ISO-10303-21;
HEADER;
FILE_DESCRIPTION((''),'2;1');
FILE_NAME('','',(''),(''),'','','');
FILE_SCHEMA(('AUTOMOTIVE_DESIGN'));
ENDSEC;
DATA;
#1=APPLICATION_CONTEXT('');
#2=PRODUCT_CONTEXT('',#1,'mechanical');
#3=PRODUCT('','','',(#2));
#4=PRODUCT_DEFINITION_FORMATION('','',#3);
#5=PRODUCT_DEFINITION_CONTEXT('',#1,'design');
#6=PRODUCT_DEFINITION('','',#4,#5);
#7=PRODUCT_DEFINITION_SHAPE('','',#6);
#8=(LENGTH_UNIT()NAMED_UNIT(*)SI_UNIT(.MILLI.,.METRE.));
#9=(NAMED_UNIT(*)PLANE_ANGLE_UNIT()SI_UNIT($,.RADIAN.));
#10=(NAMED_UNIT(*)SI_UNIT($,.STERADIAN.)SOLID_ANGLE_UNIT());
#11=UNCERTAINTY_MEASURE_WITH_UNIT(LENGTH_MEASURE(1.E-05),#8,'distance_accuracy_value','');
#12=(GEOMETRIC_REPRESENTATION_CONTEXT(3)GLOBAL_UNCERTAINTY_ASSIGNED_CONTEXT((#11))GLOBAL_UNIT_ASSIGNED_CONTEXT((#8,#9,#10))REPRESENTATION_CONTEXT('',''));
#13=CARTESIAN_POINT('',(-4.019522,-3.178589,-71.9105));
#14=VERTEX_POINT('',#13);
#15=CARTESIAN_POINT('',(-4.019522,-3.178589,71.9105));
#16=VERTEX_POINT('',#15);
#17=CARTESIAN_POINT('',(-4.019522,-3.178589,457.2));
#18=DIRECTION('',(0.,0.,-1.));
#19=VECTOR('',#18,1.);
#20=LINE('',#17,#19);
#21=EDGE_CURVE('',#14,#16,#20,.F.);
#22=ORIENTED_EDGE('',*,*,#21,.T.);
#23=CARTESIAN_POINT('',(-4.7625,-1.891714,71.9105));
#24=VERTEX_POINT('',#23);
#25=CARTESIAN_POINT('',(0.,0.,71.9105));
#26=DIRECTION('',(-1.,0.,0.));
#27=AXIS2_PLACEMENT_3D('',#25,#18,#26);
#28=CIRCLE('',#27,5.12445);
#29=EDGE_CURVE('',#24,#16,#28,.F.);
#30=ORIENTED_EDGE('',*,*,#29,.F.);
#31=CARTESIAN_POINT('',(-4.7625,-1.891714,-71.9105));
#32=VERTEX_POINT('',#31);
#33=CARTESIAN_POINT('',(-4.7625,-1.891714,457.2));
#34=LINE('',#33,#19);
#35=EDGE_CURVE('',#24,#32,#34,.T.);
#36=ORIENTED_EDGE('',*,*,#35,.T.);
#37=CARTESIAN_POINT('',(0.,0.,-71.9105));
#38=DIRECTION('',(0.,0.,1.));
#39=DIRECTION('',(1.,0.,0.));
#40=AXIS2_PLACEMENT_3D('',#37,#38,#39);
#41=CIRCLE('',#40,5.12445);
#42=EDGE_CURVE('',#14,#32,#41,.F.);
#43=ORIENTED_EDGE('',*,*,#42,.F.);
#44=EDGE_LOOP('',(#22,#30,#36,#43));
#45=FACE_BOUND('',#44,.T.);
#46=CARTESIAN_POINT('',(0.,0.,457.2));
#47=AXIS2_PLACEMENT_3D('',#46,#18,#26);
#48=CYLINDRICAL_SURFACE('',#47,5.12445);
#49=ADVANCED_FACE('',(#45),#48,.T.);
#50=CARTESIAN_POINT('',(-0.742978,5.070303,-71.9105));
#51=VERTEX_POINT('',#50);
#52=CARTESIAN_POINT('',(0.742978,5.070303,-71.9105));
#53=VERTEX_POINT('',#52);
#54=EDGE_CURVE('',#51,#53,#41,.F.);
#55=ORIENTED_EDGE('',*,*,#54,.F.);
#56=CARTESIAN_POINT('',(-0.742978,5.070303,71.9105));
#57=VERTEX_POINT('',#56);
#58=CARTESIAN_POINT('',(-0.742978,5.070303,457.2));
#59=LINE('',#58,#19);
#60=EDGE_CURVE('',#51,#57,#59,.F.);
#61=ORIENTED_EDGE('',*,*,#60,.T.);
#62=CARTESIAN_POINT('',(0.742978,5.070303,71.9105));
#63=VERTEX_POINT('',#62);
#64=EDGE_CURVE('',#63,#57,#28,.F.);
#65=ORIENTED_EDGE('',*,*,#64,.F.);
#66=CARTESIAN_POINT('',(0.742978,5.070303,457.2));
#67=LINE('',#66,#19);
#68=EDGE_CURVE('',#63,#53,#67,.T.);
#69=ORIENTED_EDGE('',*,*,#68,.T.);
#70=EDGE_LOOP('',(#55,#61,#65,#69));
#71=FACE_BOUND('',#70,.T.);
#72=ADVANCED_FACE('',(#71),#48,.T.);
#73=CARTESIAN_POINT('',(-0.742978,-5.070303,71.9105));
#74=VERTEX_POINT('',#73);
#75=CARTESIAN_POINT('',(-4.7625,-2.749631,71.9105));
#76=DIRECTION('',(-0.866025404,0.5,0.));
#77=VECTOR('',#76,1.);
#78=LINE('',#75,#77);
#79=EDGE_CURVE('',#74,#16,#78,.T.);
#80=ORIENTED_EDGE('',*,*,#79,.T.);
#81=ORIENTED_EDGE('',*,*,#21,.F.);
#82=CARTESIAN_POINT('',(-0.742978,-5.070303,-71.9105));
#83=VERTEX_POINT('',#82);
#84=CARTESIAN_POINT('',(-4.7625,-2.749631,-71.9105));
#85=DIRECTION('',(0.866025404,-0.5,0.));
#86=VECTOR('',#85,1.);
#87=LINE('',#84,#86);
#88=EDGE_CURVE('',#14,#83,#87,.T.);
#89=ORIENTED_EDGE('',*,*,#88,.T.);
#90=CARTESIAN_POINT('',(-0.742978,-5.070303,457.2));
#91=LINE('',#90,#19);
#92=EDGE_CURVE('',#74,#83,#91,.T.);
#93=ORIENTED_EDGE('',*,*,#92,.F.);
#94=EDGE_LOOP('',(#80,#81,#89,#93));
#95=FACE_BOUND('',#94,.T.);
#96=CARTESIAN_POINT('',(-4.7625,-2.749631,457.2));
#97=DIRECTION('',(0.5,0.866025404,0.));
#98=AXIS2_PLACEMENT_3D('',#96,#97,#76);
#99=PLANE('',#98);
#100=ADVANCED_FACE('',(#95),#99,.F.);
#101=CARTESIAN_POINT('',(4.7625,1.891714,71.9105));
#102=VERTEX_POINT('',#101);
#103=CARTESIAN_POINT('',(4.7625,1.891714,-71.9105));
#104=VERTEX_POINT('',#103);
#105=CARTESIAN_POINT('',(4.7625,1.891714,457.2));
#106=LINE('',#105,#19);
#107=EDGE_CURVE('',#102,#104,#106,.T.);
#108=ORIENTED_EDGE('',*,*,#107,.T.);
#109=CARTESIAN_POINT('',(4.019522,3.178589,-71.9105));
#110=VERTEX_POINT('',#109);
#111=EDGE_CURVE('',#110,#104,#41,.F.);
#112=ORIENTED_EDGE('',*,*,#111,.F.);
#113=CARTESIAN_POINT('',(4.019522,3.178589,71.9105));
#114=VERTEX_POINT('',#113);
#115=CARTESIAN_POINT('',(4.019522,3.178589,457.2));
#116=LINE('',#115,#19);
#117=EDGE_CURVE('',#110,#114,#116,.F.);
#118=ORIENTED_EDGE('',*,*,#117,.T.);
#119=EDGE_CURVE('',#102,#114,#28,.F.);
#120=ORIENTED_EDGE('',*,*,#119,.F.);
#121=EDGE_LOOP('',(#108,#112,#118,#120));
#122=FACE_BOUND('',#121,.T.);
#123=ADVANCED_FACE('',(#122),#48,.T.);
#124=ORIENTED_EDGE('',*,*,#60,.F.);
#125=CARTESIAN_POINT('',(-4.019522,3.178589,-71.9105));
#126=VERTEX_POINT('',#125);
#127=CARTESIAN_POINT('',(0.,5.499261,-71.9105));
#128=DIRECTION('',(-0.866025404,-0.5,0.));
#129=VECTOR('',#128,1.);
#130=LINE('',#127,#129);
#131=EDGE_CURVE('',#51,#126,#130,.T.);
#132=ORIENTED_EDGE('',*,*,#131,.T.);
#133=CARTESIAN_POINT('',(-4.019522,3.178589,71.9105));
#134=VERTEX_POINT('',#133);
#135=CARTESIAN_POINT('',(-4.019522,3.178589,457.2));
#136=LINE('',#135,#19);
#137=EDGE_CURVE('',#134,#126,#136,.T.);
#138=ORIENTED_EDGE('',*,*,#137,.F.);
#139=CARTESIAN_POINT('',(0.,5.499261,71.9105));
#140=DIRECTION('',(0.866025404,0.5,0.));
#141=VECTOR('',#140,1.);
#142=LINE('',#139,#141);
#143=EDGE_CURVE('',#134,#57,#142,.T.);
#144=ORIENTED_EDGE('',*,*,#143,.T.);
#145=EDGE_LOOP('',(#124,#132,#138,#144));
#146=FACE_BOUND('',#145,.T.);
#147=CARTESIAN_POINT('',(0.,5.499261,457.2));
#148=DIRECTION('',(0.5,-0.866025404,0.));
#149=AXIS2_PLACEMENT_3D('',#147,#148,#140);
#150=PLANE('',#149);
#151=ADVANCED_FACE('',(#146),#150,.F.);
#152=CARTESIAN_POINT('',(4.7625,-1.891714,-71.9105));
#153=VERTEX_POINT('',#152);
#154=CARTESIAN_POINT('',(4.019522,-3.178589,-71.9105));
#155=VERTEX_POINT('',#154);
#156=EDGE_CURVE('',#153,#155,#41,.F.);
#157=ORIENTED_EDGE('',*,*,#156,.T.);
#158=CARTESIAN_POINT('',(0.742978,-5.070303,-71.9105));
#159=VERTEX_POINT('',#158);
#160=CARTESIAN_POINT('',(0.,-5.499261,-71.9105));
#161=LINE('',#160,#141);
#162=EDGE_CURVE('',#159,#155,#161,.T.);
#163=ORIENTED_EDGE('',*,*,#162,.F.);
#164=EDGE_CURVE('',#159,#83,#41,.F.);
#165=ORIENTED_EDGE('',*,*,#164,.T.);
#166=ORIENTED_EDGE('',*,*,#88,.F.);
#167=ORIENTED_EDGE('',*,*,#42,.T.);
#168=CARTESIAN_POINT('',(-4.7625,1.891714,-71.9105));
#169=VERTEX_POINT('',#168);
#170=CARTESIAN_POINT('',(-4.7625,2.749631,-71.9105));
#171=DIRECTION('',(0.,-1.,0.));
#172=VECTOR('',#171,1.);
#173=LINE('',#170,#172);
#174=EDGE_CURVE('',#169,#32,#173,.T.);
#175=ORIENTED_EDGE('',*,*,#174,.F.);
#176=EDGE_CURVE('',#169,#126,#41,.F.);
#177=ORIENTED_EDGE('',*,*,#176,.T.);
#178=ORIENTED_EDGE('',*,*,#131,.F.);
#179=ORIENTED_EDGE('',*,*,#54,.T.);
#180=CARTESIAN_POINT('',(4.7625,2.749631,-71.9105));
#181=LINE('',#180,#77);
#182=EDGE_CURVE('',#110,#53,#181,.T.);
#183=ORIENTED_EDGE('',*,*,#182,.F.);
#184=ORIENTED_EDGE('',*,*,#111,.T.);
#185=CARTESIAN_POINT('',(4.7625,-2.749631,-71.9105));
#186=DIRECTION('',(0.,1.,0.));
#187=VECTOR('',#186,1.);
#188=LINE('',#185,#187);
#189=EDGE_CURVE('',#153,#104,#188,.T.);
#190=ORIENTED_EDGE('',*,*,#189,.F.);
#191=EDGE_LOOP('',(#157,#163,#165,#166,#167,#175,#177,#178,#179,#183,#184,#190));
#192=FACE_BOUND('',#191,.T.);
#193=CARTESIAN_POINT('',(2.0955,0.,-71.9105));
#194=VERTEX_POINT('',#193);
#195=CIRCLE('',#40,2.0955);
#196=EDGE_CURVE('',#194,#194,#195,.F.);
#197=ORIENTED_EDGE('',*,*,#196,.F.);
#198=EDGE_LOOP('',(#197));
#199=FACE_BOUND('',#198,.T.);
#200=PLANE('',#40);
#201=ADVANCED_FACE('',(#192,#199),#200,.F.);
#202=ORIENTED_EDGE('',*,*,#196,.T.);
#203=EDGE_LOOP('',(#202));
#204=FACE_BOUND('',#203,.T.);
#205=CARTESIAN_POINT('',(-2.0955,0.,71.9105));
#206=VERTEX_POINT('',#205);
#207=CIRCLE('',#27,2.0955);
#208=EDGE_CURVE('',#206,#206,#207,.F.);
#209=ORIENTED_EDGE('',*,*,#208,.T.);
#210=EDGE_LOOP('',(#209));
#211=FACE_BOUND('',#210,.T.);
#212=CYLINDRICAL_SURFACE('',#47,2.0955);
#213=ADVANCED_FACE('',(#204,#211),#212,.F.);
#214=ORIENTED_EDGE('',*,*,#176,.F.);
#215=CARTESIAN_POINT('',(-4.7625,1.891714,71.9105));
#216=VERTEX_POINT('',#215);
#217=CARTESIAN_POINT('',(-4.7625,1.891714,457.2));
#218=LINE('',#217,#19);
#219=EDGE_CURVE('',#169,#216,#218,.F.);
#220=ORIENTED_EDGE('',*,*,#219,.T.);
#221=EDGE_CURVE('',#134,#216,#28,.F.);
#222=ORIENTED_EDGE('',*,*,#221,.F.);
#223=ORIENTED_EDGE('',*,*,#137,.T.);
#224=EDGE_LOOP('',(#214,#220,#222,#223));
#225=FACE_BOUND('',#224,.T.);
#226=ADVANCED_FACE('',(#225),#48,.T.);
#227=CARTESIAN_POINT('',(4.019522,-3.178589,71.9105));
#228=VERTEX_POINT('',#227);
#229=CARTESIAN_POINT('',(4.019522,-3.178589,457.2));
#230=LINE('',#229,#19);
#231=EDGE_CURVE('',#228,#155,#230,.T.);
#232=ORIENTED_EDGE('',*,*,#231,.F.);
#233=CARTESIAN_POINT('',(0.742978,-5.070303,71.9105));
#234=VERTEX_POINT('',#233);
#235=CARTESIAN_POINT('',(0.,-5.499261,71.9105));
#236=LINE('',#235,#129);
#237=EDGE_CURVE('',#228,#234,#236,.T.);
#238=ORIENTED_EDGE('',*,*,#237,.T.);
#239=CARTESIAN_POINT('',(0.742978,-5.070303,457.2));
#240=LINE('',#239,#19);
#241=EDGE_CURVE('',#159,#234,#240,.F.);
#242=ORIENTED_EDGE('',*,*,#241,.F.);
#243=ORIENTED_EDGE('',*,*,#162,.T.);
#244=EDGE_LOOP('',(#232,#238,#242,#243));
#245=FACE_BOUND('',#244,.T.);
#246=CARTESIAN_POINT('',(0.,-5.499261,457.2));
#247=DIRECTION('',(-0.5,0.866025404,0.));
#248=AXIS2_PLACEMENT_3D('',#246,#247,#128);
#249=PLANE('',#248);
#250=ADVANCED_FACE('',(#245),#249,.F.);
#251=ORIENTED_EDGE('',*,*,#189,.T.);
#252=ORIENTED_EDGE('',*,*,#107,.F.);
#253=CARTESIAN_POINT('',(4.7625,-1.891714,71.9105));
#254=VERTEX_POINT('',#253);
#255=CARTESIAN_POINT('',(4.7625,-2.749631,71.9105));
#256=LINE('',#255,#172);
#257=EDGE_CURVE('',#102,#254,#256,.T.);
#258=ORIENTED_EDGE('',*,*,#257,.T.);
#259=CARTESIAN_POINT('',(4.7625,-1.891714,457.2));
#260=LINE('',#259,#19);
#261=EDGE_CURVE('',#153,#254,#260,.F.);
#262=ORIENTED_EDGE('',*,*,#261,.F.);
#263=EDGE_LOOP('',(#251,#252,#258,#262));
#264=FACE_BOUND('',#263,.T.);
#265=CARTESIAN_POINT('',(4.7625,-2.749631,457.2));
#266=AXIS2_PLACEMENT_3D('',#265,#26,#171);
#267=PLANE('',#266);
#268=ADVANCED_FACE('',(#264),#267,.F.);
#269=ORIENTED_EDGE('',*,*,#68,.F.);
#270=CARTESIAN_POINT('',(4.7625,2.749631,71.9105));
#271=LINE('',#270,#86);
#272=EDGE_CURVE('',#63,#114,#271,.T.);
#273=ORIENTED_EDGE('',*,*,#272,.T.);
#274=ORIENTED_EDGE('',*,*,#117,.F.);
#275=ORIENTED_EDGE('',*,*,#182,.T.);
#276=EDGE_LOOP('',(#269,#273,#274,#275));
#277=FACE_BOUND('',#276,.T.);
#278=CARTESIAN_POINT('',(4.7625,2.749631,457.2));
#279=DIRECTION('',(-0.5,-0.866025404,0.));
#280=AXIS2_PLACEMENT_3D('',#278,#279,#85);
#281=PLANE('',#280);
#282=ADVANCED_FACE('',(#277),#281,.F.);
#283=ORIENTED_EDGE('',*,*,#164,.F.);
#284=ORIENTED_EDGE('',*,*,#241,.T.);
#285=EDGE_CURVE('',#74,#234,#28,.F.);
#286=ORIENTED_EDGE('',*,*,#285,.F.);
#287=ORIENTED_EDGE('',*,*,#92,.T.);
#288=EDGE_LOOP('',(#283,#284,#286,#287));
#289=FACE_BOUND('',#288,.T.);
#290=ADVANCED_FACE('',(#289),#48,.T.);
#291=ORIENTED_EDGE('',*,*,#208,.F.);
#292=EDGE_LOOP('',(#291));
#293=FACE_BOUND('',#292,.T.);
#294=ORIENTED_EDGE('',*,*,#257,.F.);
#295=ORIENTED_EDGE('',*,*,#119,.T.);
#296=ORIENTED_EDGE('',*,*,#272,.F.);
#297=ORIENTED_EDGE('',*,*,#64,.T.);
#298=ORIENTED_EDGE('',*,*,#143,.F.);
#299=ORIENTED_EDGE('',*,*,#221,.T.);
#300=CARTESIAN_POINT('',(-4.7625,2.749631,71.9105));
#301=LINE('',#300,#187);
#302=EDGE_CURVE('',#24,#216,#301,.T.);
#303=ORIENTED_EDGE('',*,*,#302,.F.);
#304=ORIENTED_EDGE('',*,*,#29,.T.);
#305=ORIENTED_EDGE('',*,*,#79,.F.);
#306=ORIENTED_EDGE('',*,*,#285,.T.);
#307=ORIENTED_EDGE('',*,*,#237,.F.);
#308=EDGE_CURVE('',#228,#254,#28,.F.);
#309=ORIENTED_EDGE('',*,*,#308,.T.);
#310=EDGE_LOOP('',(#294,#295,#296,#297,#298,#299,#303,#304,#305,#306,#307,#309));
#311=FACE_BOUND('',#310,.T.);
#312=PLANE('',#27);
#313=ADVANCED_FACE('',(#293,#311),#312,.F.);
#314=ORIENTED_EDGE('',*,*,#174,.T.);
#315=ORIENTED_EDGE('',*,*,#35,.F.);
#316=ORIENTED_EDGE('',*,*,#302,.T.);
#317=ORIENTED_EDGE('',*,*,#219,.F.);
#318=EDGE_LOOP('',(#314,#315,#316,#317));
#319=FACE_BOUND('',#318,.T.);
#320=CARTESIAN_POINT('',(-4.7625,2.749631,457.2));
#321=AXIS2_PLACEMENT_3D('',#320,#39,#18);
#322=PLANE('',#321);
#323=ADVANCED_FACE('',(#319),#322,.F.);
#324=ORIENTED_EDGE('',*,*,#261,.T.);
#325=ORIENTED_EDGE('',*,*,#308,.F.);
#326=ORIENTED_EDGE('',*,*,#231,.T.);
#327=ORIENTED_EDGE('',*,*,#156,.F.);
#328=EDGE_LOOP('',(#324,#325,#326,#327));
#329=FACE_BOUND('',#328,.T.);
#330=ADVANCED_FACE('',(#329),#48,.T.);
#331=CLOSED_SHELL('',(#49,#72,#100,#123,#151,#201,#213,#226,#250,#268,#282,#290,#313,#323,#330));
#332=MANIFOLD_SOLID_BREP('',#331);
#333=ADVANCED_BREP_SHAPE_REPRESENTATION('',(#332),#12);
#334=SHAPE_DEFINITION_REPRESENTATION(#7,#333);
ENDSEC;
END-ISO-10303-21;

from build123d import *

# Parameters (mm, degrees)
SHAFT_BOSS_DEPTH                = 457.2
SKETCH2_R                       = 7.66445
SKETCH2_R_2                     = 5.12445
CUT_FOR_THUNDER_HEX_ROUND_DEPTH = 914.4
SKETCH3_R                       = 2.0955
CENTER_HOLE_CUT_DEPTH           = 914.4


with BuildPart() as part:
    # Sketch1 → Shaft Boss (new, symmetric)
    with BuildSketch(Plane.XY):
        Polygon((0, 5.499261314), (-4.7625, 2.749630657), (-4.7625, -2.749630657), (0, -5.499261314), (4.7625, -2.749630657), (4.7625, 2.749630657), align=None)
    extrude(amount=SHAFT_BOSS_DEPTH, both=True)

    # Sketch2 → Cut For Thunder Hex Round (cut)
    with BuildSketch(Plane(origin=(0, 0, -457.2), x_dir=(-1, 0, 0), z_dir=(0, 0, -1))):
        Circle(SKETCH2_R)
        Circle(SKETCH2_R_2, mode=Mode.SUBTRACT)
    extrude(amount=-CUT_FOR_THUNDER_HEX_ROUND_DEPTH, mode=Mode.SUBTRACT)

    # Sketch3 → Center Hole Cut (cut)
    with BuildSketch(Plane(origin=(0, 0, -457.2), x_dir=(-1, 0, 0), z_dir=(0, 0, -1))):
        Circle(SKETCH3_R)
    extrude(amount=-CENTER_HOLE_CUT_DEPTH, mode=Mode.SUBTRACT)

    # SurfaceCut1
    split(bisect_by=Plane(origin=(0, 0, 71.9105), x_dir=(-1, 0, 0), z_dir=(0, 0, -1)), keep=Keep.TOP)

    # SurfaceCut2
    split(bisect_by=Plane.XY.offset(-71.9105), keep=Keep.TOP)


solid = part.part
